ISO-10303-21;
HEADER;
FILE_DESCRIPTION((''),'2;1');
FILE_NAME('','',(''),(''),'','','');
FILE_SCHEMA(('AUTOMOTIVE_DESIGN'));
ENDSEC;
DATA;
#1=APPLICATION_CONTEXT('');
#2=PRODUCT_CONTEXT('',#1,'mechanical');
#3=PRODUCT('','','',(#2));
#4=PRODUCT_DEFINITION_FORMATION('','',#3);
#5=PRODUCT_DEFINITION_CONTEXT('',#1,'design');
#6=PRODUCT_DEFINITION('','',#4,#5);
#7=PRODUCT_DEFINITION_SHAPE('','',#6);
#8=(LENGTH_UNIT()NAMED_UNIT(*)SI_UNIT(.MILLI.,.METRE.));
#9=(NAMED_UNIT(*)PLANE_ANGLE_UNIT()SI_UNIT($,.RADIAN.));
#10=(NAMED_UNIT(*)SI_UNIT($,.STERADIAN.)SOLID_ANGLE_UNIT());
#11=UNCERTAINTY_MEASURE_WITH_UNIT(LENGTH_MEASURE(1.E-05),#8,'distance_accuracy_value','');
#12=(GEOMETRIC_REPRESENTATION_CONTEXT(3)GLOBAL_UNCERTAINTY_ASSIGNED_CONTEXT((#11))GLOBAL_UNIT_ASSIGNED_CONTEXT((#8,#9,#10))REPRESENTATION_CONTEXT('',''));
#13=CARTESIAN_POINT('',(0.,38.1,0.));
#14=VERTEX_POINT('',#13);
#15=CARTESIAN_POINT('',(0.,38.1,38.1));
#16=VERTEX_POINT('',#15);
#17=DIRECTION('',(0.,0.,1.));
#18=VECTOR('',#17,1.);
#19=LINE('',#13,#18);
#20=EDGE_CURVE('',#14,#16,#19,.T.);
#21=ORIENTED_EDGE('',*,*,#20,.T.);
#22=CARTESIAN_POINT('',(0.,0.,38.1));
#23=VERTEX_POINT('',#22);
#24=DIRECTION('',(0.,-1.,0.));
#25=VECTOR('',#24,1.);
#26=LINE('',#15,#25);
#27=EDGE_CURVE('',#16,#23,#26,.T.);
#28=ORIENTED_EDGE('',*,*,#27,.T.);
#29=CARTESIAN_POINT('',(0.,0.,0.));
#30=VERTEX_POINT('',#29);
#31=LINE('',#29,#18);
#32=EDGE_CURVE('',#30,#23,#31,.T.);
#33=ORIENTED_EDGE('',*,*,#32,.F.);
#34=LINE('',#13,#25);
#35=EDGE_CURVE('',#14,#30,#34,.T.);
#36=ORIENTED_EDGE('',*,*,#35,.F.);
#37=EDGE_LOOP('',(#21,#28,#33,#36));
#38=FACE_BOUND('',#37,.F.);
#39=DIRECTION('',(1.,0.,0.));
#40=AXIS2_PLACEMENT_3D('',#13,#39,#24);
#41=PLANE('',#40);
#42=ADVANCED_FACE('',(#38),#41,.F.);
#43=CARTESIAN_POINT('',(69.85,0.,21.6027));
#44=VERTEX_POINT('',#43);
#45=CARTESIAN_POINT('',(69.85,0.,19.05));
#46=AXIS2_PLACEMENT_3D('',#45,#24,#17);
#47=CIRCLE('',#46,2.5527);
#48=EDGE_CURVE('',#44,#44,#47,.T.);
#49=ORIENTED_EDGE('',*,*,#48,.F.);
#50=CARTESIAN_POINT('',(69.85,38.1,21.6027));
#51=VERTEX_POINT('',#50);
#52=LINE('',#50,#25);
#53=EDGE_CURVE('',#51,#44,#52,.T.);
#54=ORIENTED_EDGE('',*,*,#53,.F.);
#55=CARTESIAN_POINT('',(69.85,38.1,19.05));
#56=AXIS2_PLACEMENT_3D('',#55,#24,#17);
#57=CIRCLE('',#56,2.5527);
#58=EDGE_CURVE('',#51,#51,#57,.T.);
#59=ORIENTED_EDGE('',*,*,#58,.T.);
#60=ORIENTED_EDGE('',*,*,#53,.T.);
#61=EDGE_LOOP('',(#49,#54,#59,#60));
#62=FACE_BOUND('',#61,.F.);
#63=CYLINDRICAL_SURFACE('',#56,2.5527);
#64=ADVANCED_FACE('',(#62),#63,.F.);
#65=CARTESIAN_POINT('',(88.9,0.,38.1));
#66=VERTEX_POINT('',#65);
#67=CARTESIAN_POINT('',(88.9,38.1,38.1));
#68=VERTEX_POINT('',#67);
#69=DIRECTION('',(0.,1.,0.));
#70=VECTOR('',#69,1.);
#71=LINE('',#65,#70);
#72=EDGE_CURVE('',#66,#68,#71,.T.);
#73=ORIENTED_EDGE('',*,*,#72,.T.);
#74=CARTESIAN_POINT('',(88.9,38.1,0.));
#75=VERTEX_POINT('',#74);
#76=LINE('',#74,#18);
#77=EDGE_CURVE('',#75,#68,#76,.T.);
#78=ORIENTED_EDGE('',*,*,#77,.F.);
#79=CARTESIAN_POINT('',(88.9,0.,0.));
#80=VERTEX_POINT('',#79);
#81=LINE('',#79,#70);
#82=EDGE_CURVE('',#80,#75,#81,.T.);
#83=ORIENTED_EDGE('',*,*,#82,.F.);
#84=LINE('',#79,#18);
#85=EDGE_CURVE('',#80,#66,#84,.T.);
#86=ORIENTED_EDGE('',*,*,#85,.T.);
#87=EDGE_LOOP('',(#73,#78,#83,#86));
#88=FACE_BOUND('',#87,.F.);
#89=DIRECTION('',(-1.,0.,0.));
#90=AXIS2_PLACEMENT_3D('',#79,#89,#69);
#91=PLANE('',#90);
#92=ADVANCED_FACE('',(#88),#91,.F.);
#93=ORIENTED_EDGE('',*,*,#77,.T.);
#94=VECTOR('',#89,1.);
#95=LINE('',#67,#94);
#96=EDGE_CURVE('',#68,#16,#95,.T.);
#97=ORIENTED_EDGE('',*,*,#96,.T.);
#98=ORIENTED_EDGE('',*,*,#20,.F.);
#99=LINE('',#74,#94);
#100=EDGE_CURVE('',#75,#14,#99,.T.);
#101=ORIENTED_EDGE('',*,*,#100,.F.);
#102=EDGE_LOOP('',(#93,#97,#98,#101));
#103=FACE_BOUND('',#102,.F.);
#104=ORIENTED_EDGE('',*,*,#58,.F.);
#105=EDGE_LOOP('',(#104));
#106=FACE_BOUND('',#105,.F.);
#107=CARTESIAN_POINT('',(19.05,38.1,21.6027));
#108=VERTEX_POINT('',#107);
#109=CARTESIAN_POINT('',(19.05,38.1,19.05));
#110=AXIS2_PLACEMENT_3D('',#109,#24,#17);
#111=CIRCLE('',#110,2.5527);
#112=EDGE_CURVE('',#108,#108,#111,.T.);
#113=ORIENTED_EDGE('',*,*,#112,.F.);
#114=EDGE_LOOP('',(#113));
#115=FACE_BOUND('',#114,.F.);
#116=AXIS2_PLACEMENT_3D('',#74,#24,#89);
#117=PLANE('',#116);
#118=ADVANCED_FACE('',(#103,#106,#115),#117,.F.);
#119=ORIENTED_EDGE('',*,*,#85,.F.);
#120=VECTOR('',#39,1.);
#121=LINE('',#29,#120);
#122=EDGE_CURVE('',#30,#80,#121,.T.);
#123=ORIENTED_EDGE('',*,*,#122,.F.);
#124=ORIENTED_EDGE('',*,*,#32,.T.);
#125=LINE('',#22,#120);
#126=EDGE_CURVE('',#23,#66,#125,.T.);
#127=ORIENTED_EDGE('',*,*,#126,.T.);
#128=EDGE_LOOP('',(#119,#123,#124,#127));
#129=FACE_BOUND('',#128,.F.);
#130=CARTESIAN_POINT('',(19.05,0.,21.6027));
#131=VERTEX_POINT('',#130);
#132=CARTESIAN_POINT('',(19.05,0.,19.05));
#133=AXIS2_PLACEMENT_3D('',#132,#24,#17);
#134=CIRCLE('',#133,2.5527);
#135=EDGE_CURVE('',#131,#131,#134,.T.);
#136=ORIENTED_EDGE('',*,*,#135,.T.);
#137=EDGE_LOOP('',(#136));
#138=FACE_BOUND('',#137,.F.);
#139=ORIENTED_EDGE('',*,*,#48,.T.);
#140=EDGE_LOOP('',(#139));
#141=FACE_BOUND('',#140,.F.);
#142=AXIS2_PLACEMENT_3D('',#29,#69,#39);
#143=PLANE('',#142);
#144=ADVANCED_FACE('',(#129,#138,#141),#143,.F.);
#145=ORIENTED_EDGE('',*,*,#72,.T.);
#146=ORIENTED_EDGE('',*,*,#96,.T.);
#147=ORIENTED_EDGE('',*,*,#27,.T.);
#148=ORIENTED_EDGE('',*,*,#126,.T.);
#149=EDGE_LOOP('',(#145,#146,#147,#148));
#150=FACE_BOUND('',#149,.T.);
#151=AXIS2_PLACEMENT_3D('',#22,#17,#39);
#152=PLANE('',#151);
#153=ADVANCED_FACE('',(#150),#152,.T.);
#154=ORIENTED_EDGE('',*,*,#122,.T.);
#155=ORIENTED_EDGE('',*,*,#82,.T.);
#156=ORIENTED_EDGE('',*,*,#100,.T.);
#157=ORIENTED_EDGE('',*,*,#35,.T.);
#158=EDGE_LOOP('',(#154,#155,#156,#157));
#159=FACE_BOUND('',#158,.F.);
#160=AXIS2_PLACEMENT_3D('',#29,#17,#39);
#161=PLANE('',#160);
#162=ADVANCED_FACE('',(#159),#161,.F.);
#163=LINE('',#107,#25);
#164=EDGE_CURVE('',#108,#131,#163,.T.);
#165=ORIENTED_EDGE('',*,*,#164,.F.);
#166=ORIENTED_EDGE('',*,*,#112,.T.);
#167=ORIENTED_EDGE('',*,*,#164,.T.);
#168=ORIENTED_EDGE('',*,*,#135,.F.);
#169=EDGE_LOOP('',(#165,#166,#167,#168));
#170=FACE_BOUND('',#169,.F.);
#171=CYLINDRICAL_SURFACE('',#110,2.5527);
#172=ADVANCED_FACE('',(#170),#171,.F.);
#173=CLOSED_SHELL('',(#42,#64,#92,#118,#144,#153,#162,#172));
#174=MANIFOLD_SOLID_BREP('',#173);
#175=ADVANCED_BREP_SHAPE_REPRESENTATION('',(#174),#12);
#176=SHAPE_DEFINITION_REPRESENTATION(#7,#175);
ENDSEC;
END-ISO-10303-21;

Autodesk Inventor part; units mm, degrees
ref_plane "YZ Plane" through (0, 0, 0) normal (1, 0, 0) x (0, 1, 0)
ref_plane "XZ Plane" through (0, 0, 0) normal (0, 1, 0) x (-1, 0, 0)
ref_plane "XY Plane" through (0, 0, 0) normal (0, 0, 1) x (1, 0, 0)
sketch "Sketch1" plane through (0, 0, 0) normal (0, 0, 1) x (1, 0, 0)
  line L0 (0, 0) -> (88.9, 0)
  line L1 (88.9, 0) -> (88.9, 38.1)
  line L2 (88.9, 38.1) -> (0, 38.1)
  line L3 (0, 38.1) -> (0, 0)
  dimension "d0" = 88.9
  dimension "d1" = 38.1
extrude "Extrusion1" add sketch "Sketch1" along normal blind 38.1
sketch "Sketch2" plane through (0, 38.1, 0) normal (0, 1, 0) x (1, 0, 0)
  line L0 (88.9, 0) -> (0, 0) projected
  line L1 (0, 0) -> (0, -38.1) projected
  line L2 (88.9, -38.1) -> (0, -38.1) projected
  circle A0 centre (19.05, -19.05) radius 5.8141
  circle A1 centre (69.85, -19.05) radius 5.8141
  dimension "d4" = 19.05
  dimension "d5" = 19.05
  dimension "d8" = 50.8
hole "Hole1" at (19.05, 38.1, 19.05) at (69.85, 38.1, 19.05) direction (0, -1, 0) diameter 5.1054 end through all clearance for "Flat Head Machine Screw (82)" size "#10" standard "Ansi Unified Screw Threads"
equation "\"d18\" = d8"
properties part number "hubjig_spacer" material "Wood (Cherry)"
